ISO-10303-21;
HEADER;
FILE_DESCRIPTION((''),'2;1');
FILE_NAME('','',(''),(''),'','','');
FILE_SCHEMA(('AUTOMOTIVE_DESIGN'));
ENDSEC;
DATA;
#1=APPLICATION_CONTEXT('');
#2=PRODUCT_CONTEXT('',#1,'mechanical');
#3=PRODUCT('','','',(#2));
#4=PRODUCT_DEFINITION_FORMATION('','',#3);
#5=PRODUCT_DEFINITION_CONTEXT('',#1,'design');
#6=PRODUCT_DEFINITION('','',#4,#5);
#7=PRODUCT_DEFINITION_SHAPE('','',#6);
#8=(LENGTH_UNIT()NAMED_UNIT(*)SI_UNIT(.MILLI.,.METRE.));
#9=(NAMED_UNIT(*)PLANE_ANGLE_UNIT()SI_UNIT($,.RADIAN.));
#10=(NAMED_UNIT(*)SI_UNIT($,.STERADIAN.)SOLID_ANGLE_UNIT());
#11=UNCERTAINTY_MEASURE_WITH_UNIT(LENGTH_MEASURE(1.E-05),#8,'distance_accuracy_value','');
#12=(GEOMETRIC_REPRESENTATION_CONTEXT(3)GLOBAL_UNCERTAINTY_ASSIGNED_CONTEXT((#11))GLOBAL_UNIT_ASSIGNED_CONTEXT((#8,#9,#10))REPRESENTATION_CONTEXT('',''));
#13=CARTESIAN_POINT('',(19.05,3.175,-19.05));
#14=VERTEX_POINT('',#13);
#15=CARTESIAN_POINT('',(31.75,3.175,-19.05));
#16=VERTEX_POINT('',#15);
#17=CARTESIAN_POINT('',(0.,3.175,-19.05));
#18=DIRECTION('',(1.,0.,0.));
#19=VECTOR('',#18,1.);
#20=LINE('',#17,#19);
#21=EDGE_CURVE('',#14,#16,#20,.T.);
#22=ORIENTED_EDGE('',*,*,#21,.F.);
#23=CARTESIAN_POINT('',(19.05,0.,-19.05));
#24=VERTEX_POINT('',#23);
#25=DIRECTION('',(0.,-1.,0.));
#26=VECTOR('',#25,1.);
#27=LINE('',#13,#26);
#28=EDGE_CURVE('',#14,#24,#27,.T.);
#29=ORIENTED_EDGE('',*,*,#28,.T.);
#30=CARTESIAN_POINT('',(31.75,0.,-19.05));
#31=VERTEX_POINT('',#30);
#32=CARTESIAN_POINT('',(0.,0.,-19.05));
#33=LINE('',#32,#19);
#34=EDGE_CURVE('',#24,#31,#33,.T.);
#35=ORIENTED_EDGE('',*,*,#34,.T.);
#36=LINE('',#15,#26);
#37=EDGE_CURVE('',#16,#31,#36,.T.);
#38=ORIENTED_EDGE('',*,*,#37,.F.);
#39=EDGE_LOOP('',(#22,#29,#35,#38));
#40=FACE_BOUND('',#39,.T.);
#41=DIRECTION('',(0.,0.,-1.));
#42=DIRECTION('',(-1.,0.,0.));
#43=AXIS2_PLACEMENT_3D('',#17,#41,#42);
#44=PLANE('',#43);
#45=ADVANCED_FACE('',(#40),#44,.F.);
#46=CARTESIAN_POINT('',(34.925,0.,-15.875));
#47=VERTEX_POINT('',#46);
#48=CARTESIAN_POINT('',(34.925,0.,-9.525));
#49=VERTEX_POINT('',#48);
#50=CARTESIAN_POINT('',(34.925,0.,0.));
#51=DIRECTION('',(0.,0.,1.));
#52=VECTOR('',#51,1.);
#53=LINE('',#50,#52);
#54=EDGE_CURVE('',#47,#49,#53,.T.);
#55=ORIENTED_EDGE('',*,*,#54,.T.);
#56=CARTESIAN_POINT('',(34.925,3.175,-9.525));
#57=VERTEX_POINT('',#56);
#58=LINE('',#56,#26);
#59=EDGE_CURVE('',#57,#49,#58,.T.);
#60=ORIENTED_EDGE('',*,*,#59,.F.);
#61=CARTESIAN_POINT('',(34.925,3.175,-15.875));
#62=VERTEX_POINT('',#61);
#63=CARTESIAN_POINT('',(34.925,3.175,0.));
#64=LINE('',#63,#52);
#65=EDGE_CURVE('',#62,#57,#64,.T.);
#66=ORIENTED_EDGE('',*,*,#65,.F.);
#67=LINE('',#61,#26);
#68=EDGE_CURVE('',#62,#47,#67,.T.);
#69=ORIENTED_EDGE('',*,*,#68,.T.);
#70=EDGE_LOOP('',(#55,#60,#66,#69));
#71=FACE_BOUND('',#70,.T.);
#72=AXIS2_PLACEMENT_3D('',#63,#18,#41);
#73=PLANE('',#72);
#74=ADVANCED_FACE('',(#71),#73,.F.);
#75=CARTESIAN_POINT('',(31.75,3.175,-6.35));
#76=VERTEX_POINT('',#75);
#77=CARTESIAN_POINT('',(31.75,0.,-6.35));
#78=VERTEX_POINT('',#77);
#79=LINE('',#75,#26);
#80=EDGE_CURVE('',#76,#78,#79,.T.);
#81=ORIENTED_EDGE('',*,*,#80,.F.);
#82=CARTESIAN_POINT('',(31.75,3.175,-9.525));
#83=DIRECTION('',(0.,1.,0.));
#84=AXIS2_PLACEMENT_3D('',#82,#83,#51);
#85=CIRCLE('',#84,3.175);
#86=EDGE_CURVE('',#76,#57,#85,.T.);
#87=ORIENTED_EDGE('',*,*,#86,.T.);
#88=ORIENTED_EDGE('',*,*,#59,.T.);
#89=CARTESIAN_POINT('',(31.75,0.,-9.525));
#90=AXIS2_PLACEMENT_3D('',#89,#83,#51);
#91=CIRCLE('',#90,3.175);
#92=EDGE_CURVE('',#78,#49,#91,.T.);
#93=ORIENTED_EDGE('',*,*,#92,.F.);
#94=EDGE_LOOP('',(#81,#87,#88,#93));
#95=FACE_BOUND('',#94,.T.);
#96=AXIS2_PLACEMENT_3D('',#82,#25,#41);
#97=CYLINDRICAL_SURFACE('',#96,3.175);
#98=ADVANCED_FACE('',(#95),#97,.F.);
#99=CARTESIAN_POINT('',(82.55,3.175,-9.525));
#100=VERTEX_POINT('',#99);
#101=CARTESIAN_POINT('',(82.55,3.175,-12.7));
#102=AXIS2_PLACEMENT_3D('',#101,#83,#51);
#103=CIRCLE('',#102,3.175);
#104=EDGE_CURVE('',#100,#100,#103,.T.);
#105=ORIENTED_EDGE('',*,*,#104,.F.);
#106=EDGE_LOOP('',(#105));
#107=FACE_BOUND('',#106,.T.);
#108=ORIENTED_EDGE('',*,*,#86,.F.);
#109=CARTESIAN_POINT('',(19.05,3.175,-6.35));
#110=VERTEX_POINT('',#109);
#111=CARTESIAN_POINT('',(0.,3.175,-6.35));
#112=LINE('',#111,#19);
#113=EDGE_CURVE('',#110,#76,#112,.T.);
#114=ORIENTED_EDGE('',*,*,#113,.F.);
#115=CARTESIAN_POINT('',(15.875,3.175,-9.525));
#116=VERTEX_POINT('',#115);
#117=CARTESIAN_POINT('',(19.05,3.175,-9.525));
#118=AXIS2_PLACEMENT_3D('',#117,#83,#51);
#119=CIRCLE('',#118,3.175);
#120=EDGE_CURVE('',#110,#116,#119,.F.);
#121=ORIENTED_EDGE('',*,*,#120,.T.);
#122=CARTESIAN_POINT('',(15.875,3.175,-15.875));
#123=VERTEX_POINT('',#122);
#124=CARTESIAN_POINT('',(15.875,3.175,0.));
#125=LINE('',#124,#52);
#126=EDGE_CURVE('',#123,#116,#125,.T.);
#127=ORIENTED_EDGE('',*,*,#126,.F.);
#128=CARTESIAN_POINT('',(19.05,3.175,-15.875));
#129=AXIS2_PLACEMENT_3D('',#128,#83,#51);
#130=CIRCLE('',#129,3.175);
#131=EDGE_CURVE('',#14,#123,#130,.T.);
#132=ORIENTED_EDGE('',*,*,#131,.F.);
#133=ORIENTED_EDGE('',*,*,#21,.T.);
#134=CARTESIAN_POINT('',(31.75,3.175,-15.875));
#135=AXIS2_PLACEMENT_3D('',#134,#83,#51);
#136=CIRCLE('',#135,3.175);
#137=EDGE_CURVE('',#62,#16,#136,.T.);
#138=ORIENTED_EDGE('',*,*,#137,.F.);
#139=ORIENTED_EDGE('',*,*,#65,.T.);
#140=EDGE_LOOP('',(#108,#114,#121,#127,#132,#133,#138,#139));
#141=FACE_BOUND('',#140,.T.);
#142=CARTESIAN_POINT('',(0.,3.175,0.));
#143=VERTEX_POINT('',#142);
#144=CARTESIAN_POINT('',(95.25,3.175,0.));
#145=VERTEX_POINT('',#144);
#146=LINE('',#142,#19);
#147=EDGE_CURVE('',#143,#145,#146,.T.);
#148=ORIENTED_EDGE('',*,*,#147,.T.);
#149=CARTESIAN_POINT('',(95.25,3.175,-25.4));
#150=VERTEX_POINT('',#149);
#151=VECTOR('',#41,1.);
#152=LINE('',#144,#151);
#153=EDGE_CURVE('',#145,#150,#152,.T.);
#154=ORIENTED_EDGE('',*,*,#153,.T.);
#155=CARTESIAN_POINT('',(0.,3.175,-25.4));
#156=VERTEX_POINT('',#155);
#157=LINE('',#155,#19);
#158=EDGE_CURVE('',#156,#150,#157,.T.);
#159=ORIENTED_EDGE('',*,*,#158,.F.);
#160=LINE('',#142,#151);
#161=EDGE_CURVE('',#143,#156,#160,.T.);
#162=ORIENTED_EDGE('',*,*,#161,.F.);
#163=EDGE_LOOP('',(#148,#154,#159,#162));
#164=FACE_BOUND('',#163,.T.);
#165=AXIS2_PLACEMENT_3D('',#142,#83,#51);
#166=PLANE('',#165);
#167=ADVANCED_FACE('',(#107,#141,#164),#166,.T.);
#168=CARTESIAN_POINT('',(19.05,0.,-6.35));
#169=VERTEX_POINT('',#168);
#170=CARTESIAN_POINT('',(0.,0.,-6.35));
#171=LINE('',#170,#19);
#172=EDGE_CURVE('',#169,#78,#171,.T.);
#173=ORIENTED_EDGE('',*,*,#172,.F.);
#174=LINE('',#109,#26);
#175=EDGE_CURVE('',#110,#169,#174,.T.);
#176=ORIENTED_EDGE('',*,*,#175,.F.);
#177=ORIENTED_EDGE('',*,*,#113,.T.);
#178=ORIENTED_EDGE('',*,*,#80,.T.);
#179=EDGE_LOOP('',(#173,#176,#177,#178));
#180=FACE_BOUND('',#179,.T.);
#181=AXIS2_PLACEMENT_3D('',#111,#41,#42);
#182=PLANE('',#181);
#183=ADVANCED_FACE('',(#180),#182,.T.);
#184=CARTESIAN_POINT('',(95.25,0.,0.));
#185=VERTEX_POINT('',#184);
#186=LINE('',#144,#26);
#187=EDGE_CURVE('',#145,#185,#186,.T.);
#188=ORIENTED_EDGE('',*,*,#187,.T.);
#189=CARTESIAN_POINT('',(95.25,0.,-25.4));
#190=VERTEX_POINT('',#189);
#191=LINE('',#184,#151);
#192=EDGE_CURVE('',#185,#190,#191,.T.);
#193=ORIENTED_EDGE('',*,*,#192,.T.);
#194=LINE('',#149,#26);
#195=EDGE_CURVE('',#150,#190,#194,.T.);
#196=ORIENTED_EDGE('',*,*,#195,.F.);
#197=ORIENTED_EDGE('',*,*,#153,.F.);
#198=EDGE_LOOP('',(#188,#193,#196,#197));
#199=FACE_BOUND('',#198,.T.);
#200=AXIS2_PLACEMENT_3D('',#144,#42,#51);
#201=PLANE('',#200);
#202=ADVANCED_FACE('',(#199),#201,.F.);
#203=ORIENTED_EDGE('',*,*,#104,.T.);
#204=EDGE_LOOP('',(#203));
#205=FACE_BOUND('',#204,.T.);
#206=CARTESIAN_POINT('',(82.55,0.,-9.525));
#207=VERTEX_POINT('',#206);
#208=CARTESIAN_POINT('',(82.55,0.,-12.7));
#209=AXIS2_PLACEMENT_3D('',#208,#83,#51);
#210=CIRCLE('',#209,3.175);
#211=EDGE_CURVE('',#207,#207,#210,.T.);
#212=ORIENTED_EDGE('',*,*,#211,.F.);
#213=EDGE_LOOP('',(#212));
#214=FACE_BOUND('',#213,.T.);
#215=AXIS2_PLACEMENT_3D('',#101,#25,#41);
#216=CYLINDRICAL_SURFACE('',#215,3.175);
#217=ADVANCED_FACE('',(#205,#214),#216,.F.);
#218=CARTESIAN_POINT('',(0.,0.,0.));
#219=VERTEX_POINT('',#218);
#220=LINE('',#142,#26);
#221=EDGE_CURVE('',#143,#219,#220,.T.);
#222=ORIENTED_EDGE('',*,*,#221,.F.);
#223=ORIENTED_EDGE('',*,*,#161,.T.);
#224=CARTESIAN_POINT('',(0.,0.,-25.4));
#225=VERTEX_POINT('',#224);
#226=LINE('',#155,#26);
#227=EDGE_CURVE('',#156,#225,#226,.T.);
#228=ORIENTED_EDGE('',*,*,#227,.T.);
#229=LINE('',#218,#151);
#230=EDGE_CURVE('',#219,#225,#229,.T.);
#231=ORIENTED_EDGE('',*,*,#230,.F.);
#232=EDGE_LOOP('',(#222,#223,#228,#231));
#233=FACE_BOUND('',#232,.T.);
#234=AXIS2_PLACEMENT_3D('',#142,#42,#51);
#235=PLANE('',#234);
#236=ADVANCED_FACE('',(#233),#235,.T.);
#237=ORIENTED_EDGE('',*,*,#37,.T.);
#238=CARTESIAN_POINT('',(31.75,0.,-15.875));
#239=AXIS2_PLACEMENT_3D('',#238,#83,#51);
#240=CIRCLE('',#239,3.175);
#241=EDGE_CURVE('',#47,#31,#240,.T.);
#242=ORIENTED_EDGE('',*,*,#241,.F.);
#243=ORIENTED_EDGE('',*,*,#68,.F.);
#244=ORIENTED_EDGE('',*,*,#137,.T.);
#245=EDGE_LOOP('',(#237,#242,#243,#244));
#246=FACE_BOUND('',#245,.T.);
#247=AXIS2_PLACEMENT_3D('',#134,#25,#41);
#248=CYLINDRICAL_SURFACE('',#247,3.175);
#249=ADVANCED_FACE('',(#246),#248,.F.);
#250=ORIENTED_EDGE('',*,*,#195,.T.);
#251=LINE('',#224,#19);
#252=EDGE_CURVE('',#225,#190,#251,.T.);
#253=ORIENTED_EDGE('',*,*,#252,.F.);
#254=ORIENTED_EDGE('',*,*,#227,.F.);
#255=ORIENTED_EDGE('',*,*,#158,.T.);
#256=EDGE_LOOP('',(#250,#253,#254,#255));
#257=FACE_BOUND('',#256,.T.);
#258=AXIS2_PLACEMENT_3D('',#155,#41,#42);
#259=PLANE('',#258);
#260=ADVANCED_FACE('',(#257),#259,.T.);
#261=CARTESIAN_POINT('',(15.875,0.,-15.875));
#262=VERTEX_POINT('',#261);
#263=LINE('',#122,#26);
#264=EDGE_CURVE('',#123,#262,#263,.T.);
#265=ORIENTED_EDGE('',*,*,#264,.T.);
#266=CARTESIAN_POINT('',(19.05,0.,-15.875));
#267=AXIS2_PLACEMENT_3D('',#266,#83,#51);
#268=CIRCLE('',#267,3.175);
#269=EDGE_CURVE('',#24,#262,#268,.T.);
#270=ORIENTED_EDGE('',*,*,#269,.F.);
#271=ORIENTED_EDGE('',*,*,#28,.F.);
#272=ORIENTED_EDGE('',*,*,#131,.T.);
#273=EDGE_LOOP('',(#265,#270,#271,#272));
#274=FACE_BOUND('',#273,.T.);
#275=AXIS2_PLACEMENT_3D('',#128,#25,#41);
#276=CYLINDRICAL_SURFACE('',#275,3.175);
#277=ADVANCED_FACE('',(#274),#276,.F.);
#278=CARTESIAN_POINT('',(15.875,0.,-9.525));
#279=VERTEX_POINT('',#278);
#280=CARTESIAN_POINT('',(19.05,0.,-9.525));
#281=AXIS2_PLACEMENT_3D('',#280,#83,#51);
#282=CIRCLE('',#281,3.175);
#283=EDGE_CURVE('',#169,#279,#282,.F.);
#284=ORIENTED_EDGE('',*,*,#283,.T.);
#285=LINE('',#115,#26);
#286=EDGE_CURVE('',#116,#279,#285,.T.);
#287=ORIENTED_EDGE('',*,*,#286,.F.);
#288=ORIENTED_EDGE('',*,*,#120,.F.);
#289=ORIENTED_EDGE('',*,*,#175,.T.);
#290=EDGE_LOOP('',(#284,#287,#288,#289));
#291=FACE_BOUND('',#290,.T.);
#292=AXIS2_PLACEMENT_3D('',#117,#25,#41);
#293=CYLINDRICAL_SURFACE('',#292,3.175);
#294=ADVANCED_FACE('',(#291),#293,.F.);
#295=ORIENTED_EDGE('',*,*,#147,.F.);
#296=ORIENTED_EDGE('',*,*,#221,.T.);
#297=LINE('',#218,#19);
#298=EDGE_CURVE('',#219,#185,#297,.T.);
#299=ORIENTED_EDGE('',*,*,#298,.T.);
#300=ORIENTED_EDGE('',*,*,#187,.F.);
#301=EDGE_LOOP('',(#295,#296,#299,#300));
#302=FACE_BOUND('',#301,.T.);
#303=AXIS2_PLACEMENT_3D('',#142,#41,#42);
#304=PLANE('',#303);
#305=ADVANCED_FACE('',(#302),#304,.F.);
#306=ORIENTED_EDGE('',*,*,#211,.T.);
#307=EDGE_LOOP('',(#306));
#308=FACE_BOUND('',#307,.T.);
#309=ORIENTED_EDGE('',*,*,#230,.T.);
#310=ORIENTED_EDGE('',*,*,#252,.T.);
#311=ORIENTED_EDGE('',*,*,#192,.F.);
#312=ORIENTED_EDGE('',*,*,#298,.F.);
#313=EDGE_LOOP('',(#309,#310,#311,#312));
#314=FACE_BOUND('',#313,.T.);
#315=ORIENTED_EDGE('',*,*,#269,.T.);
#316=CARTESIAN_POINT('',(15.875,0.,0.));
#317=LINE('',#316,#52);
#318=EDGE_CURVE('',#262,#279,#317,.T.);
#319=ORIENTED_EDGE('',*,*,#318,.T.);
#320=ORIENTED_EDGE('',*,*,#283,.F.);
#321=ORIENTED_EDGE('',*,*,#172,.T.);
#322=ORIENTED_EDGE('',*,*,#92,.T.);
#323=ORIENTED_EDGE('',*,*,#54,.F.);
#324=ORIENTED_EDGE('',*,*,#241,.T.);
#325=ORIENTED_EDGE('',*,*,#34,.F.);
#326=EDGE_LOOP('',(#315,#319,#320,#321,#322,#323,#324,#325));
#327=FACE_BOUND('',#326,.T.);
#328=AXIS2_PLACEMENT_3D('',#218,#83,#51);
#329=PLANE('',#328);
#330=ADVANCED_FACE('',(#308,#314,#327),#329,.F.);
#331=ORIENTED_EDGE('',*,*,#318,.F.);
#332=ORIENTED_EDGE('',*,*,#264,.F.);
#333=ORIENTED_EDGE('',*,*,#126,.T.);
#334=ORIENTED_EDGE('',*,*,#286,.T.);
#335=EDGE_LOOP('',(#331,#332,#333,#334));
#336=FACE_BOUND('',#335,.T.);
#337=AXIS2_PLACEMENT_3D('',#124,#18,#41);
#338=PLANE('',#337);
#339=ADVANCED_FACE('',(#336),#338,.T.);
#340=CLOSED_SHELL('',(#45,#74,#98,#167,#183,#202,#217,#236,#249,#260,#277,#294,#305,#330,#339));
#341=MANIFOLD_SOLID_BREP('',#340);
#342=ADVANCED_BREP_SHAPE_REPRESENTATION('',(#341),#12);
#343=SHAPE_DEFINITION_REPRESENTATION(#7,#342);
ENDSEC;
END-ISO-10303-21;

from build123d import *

# Parameters (mm, degrees)
SKETCH1_R           = 3.175
BOSS_EXTRUDE1_DEPTH = 3.175


with BuildPart() as part:
    # Sketch1 → Boss-Extrude1 (new body)
    with BuildSketch(Plane(origin=(0, 0, 0), x_dir=(1, 0, 0), z_dir=(0, 1, 0))):
        Polygon((0, 4.7625), (0, 0), (6.35, 0), (44.45, 0), (57.15, 0), (95.25, 0), (95.25, 25.4), (57.15, 25.4), (44.45, 25.4), (6.35, 25.4), (0, 25.4), (0, 20.6375), align=None)
        with Locations(Location((82.55, 12.7, 0), (0, 0, 270))):
            Circle(SKETCH1_R, mode=Mode.SUBTRACT)
        with BuildLine():
            ThreePointArc((15.875, 15.875), (16.80493597, 18.12006403), (19.05, 19.05))
            Line((19.05, 19.05), (31.75, 19.05))
            ThreePointArc((31.75, 19.05), (33.99506403, 18.12006403), (34.925, 15.875))
            Line((34.925, 15.875), (34.925, 9.525))
            ThreePointArc((34.925, 9.525), (33.99506403, 7.27993597), (31.75, 6.35))
            Line((31.75, 6.35), (19.05, 6.35))
            ThreePointArc((19.05, 6.35), (16.80493597, 7.27993597), (15.875, 9.525))
            Line((15.875, 9.525), (15.875, 15.875))
        make_face(mode=Mode.SUBTRACT)
    extrude(amount=BOSS_EXTRUDE1_DEPTH)


solid = part.part
